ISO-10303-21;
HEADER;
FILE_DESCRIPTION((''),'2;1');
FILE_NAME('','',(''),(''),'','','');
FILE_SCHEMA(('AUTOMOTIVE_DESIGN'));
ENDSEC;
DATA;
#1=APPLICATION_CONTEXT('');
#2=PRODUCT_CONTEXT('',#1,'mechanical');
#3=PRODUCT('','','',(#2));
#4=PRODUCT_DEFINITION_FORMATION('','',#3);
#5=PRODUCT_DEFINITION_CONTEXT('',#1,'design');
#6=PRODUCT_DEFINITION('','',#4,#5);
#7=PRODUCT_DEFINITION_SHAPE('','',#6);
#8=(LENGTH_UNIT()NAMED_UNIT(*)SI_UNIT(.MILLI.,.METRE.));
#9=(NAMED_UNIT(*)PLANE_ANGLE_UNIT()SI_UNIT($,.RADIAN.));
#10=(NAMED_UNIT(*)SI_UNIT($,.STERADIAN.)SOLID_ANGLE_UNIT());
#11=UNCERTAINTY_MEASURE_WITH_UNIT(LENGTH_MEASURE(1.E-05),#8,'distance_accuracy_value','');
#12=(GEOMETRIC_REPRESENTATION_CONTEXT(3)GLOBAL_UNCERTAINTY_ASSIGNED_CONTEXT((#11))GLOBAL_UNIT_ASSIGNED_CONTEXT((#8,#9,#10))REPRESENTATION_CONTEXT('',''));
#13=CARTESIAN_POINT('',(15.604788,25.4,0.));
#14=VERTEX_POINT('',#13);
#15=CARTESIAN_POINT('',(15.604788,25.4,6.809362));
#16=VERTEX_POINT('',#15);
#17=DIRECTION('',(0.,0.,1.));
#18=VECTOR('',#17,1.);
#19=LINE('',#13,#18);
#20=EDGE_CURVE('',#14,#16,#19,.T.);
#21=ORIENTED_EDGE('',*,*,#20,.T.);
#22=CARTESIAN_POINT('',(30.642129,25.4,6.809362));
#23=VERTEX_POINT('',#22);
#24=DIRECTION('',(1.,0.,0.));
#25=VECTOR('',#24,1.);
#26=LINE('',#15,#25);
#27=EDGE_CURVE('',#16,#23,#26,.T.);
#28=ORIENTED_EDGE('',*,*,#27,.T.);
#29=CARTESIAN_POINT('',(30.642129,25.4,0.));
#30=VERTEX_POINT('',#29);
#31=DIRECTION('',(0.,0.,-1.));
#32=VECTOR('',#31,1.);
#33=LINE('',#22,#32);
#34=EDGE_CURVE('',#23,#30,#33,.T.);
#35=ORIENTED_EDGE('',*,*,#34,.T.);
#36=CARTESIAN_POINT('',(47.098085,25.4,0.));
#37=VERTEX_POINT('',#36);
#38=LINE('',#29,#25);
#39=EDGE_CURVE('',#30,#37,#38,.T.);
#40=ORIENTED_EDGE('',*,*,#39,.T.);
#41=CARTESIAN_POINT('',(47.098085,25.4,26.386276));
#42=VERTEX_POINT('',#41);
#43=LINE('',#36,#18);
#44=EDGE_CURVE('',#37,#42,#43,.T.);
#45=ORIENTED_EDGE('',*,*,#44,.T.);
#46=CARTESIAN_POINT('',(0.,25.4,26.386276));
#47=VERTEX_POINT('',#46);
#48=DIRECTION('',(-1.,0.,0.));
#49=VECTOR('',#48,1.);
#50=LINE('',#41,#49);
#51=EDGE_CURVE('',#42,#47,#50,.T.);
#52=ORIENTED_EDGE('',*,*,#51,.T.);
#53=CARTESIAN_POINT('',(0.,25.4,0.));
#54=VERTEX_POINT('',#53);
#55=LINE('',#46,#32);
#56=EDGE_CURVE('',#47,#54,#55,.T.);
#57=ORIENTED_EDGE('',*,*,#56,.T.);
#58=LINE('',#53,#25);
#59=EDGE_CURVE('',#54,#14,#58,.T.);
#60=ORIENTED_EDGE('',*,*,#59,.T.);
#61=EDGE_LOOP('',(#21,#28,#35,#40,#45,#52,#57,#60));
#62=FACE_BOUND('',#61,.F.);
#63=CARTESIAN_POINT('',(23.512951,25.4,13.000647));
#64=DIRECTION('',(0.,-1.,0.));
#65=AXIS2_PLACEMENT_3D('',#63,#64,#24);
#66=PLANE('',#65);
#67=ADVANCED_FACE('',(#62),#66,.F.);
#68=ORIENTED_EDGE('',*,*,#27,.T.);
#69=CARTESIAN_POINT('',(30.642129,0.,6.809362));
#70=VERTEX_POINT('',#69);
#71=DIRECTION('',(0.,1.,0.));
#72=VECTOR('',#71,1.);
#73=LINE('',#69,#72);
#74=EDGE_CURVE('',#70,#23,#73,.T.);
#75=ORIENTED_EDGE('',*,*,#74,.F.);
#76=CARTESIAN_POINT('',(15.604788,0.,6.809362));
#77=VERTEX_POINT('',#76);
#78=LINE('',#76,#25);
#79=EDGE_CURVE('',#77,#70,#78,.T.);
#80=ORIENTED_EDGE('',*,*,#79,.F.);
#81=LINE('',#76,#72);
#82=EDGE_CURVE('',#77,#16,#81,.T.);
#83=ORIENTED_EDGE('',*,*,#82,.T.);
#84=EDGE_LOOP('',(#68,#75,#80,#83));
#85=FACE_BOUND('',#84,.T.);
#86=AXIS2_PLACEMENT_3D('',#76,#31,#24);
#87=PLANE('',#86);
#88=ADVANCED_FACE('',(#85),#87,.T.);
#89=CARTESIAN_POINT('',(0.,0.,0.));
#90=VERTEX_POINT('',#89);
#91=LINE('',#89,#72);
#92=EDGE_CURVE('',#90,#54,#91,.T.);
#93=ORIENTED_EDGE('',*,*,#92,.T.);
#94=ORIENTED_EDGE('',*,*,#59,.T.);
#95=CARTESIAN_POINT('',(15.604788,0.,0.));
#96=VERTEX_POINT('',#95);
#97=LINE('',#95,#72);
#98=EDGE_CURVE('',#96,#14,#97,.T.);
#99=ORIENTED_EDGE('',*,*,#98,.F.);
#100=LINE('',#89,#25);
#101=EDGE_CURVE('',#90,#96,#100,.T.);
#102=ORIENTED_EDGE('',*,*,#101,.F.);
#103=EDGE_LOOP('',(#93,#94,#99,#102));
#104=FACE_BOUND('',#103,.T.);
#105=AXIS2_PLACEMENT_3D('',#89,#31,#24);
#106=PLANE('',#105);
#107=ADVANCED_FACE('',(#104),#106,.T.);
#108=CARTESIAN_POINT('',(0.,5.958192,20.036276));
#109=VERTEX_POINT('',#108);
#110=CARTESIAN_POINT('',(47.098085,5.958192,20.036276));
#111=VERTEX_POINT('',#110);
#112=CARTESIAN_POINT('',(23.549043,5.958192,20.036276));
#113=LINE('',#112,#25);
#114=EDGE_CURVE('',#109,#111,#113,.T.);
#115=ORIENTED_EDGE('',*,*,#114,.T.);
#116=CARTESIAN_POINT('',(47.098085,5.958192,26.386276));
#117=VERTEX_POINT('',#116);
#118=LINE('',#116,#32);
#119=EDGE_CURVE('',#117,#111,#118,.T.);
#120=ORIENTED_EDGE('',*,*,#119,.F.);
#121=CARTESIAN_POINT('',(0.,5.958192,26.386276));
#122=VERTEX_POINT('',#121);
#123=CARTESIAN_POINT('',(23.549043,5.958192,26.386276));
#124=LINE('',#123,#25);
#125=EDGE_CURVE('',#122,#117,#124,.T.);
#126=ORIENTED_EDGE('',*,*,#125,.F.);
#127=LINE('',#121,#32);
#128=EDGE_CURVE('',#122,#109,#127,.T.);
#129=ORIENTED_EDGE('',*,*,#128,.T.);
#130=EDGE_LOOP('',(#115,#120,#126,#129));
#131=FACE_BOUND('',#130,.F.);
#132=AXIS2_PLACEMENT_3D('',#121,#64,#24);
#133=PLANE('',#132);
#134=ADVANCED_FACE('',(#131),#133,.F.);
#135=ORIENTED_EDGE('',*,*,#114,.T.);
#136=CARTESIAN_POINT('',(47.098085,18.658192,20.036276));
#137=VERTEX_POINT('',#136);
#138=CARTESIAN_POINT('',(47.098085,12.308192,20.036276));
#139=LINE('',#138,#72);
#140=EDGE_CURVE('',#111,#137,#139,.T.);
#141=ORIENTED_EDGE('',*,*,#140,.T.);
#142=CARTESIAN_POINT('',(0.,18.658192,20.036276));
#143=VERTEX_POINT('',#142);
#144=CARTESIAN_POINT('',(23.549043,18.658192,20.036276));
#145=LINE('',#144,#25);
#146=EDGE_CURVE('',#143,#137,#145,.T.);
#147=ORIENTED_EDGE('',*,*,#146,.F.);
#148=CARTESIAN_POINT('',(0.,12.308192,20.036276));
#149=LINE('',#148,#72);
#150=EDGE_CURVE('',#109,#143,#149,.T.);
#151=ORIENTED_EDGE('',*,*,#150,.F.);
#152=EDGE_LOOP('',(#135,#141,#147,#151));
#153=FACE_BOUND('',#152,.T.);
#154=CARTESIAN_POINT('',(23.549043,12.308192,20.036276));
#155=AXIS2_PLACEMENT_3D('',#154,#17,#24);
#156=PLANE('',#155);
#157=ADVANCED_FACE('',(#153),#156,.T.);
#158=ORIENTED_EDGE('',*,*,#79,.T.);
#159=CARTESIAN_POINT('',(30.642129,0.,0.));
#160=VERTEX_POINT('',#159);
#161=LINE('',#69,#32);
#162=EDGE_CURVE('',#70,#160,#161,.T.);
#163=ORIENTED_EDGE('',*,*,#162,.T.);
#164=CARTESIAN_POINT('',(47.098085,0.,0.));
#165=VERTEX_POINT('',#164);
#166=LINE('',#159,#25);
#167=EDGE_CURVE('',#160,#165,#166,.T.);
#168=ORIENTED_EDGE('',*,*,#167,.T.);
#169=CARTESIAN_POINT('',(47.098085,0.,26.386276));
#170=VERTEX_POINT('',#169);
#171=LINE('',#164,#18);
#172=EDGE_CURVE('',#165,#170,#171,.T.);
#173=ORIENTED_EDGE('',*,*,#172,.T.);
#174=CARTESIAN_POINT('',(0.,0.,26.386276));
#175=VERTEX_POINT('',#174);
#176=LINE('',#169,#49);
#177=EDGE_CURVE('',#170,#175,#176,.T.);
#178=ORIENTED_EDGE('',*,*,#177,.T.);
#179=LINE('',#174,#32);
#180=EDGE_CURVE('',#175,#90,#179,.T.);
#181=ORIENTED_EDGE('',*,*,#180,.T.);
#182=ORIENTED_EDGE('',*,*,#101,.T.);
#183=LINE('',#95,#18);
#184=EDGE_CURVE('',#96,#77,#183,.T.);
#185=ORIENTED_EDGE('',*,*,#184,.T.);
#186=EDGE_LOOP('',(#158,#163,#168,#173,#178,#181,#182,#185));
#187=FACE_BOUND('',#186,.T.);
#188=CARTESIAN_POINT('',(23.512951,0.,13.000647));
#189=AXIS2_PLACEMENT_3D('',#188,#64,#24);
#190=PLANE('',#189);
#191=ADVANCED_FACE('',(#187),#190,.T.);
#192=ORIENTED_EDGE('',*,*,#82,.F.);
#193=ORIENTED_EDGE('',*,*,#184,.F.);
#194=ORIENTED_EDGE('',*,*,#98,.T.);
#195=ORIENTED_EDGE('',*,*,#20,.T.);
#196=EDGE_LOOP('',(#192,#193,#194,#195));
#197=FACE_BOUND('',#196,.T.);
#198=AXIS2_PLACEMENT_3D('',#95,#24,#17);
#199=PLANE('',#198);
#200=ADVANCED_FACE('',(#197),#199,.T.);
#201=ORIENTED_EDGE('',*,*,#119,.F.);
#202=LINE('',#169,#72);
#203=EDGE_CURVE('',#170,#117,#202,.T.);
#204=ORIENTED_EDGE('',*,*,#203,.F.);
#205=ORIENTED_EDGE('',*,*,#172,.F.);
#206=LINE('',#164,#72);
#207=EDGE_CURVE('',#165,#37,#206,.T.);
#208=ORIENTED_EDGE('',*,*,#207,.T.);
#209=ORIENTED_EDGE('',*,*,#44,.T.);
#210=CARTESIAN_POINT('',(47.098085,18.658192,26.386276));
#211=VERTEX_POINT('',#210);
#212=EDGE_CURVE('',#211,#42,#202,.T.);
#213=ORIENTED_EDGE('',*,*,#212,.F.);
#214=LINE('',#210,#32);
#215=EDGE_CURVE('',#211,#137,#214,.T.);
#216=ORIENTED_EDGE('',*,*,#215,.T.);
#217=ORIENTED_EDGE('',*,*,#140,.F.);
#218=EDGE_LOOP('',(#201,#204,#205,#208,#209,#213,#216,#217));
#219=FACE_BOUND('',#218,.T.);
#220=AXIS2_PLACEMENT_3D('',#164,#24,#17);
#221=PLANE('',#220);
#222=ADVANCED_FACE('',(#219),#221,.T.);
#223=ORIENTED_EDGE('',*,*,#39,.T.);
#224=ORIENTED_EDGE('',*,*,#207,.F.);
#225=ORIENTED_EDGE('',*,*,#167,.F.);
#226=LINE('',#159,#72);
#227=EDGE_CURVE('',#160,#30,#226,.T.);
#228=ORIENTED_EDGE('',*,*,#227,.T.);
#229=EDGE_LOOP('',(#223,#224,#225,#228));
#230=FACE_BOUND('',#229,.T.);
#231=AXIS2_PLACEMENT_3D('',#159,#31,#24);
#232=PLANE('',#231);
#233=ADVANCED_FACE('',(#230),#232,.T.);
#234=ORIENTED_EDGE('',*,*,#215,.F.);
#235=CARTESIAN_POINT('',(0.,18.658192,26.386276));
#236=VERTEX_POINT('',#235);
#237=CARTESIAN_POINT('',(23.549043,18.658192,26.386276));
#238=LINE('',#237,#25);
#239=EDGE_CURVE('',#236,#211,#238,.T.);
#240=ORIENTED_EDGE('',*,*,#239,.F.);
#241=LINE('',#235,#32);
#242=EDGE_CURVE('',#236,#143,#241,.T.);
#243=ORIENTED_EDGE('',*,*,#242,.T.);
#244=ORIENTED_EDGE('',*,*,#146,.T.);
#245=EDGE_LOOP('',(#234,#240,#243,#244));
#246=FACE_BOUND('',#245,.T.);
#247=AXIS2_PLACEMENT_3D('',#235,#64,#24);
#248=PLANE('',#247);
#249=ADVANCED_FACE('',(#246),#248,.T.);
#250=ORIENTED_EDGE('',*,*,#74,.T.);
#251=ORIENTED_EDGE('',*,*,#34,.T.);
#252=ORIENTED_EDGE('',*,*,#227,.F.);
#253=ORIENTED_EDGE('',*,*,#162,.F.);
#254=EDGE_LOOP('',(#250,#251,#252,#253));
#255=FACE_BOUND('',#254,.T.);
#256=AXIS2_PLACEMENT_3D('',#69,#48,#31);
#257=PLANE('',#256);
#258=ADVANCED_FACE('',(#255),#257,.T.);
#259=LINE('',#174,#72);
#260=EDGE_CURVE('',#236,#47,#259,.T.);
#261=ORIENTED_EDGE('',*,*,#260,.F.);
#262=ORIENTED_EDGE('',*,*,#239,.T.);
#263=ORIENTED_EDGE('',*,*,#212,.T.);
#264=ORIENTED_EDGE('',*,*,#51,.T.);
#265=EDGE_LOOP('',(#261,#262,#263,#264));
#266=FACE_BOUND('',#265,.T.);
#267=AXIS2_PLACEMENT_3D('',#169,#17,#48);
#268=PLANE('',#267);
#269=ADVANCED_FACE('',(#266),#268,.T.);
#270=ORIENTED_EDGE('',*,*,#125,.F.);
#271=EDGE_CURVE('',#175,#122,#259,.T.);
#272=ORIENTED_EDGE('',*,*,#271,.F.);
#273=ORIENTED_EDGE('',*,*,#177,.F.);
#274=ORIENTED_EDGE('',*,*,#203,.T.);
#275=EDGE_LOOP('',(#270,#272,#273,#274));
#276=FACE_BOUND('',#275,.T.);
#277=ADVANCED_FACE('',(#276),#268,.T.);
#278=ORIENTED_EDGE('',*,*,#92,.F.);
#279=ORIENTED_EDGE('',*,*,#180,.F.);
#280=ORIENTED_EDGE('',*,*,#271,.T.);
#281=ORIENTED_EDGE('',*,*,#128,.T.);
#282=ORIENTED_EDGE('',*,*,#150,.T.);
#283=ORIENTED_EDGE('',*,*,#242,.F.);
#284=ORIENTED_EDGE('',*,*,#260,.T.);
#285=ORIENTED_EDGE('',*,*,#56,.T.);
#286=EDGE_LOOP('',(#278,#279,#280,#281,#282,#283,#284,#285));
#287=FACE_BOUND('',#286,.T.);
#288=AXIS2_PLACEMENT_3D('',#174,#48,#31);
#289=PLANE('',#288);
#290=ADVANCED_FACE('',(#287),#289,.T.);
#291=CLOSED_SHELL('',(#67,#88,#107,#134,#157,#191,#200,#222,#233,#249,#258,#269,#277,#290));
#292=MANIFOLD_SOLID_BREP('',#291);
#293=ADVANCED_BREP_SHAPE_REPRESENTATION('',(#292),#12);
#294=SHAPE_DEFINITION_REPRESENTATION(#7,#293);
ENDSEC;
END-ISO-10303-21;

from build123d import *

# Parameters (mm, degrees)
F1_DEPTH = 25.4
F2_W     = 47.0980852842
F2_H     = 12.7
F3_DEPTH = 6.35


with BuildPart() as f1:
    # F0 (on Front) → F1 (new body)
    with BuildSketch(Plane.XZ):
        Polygon((0, 26.3862758875), (0, 0), (15.6047884375, 0), (15.6047884375, 6.8093617447), (30.6421294808, 6.8093617447), (30.6421294808, 0), (47.0980852842, 0), (47.0980852842, 26.3862758875), align=None)
    extrude(amount=-F1_DEPTH)

    # F2 (on face) → F3 (cut)
    with BuildSketch(Plane.XY.offset(26.3862758875)):
        with Locations((23.5490426421, 12.3081915848)):
            Rectangle(F2_W, F2_H)
    extrude(amount=-F3_DEPTH, mode=Mode.SUBTRACT)


solid = f1.part
